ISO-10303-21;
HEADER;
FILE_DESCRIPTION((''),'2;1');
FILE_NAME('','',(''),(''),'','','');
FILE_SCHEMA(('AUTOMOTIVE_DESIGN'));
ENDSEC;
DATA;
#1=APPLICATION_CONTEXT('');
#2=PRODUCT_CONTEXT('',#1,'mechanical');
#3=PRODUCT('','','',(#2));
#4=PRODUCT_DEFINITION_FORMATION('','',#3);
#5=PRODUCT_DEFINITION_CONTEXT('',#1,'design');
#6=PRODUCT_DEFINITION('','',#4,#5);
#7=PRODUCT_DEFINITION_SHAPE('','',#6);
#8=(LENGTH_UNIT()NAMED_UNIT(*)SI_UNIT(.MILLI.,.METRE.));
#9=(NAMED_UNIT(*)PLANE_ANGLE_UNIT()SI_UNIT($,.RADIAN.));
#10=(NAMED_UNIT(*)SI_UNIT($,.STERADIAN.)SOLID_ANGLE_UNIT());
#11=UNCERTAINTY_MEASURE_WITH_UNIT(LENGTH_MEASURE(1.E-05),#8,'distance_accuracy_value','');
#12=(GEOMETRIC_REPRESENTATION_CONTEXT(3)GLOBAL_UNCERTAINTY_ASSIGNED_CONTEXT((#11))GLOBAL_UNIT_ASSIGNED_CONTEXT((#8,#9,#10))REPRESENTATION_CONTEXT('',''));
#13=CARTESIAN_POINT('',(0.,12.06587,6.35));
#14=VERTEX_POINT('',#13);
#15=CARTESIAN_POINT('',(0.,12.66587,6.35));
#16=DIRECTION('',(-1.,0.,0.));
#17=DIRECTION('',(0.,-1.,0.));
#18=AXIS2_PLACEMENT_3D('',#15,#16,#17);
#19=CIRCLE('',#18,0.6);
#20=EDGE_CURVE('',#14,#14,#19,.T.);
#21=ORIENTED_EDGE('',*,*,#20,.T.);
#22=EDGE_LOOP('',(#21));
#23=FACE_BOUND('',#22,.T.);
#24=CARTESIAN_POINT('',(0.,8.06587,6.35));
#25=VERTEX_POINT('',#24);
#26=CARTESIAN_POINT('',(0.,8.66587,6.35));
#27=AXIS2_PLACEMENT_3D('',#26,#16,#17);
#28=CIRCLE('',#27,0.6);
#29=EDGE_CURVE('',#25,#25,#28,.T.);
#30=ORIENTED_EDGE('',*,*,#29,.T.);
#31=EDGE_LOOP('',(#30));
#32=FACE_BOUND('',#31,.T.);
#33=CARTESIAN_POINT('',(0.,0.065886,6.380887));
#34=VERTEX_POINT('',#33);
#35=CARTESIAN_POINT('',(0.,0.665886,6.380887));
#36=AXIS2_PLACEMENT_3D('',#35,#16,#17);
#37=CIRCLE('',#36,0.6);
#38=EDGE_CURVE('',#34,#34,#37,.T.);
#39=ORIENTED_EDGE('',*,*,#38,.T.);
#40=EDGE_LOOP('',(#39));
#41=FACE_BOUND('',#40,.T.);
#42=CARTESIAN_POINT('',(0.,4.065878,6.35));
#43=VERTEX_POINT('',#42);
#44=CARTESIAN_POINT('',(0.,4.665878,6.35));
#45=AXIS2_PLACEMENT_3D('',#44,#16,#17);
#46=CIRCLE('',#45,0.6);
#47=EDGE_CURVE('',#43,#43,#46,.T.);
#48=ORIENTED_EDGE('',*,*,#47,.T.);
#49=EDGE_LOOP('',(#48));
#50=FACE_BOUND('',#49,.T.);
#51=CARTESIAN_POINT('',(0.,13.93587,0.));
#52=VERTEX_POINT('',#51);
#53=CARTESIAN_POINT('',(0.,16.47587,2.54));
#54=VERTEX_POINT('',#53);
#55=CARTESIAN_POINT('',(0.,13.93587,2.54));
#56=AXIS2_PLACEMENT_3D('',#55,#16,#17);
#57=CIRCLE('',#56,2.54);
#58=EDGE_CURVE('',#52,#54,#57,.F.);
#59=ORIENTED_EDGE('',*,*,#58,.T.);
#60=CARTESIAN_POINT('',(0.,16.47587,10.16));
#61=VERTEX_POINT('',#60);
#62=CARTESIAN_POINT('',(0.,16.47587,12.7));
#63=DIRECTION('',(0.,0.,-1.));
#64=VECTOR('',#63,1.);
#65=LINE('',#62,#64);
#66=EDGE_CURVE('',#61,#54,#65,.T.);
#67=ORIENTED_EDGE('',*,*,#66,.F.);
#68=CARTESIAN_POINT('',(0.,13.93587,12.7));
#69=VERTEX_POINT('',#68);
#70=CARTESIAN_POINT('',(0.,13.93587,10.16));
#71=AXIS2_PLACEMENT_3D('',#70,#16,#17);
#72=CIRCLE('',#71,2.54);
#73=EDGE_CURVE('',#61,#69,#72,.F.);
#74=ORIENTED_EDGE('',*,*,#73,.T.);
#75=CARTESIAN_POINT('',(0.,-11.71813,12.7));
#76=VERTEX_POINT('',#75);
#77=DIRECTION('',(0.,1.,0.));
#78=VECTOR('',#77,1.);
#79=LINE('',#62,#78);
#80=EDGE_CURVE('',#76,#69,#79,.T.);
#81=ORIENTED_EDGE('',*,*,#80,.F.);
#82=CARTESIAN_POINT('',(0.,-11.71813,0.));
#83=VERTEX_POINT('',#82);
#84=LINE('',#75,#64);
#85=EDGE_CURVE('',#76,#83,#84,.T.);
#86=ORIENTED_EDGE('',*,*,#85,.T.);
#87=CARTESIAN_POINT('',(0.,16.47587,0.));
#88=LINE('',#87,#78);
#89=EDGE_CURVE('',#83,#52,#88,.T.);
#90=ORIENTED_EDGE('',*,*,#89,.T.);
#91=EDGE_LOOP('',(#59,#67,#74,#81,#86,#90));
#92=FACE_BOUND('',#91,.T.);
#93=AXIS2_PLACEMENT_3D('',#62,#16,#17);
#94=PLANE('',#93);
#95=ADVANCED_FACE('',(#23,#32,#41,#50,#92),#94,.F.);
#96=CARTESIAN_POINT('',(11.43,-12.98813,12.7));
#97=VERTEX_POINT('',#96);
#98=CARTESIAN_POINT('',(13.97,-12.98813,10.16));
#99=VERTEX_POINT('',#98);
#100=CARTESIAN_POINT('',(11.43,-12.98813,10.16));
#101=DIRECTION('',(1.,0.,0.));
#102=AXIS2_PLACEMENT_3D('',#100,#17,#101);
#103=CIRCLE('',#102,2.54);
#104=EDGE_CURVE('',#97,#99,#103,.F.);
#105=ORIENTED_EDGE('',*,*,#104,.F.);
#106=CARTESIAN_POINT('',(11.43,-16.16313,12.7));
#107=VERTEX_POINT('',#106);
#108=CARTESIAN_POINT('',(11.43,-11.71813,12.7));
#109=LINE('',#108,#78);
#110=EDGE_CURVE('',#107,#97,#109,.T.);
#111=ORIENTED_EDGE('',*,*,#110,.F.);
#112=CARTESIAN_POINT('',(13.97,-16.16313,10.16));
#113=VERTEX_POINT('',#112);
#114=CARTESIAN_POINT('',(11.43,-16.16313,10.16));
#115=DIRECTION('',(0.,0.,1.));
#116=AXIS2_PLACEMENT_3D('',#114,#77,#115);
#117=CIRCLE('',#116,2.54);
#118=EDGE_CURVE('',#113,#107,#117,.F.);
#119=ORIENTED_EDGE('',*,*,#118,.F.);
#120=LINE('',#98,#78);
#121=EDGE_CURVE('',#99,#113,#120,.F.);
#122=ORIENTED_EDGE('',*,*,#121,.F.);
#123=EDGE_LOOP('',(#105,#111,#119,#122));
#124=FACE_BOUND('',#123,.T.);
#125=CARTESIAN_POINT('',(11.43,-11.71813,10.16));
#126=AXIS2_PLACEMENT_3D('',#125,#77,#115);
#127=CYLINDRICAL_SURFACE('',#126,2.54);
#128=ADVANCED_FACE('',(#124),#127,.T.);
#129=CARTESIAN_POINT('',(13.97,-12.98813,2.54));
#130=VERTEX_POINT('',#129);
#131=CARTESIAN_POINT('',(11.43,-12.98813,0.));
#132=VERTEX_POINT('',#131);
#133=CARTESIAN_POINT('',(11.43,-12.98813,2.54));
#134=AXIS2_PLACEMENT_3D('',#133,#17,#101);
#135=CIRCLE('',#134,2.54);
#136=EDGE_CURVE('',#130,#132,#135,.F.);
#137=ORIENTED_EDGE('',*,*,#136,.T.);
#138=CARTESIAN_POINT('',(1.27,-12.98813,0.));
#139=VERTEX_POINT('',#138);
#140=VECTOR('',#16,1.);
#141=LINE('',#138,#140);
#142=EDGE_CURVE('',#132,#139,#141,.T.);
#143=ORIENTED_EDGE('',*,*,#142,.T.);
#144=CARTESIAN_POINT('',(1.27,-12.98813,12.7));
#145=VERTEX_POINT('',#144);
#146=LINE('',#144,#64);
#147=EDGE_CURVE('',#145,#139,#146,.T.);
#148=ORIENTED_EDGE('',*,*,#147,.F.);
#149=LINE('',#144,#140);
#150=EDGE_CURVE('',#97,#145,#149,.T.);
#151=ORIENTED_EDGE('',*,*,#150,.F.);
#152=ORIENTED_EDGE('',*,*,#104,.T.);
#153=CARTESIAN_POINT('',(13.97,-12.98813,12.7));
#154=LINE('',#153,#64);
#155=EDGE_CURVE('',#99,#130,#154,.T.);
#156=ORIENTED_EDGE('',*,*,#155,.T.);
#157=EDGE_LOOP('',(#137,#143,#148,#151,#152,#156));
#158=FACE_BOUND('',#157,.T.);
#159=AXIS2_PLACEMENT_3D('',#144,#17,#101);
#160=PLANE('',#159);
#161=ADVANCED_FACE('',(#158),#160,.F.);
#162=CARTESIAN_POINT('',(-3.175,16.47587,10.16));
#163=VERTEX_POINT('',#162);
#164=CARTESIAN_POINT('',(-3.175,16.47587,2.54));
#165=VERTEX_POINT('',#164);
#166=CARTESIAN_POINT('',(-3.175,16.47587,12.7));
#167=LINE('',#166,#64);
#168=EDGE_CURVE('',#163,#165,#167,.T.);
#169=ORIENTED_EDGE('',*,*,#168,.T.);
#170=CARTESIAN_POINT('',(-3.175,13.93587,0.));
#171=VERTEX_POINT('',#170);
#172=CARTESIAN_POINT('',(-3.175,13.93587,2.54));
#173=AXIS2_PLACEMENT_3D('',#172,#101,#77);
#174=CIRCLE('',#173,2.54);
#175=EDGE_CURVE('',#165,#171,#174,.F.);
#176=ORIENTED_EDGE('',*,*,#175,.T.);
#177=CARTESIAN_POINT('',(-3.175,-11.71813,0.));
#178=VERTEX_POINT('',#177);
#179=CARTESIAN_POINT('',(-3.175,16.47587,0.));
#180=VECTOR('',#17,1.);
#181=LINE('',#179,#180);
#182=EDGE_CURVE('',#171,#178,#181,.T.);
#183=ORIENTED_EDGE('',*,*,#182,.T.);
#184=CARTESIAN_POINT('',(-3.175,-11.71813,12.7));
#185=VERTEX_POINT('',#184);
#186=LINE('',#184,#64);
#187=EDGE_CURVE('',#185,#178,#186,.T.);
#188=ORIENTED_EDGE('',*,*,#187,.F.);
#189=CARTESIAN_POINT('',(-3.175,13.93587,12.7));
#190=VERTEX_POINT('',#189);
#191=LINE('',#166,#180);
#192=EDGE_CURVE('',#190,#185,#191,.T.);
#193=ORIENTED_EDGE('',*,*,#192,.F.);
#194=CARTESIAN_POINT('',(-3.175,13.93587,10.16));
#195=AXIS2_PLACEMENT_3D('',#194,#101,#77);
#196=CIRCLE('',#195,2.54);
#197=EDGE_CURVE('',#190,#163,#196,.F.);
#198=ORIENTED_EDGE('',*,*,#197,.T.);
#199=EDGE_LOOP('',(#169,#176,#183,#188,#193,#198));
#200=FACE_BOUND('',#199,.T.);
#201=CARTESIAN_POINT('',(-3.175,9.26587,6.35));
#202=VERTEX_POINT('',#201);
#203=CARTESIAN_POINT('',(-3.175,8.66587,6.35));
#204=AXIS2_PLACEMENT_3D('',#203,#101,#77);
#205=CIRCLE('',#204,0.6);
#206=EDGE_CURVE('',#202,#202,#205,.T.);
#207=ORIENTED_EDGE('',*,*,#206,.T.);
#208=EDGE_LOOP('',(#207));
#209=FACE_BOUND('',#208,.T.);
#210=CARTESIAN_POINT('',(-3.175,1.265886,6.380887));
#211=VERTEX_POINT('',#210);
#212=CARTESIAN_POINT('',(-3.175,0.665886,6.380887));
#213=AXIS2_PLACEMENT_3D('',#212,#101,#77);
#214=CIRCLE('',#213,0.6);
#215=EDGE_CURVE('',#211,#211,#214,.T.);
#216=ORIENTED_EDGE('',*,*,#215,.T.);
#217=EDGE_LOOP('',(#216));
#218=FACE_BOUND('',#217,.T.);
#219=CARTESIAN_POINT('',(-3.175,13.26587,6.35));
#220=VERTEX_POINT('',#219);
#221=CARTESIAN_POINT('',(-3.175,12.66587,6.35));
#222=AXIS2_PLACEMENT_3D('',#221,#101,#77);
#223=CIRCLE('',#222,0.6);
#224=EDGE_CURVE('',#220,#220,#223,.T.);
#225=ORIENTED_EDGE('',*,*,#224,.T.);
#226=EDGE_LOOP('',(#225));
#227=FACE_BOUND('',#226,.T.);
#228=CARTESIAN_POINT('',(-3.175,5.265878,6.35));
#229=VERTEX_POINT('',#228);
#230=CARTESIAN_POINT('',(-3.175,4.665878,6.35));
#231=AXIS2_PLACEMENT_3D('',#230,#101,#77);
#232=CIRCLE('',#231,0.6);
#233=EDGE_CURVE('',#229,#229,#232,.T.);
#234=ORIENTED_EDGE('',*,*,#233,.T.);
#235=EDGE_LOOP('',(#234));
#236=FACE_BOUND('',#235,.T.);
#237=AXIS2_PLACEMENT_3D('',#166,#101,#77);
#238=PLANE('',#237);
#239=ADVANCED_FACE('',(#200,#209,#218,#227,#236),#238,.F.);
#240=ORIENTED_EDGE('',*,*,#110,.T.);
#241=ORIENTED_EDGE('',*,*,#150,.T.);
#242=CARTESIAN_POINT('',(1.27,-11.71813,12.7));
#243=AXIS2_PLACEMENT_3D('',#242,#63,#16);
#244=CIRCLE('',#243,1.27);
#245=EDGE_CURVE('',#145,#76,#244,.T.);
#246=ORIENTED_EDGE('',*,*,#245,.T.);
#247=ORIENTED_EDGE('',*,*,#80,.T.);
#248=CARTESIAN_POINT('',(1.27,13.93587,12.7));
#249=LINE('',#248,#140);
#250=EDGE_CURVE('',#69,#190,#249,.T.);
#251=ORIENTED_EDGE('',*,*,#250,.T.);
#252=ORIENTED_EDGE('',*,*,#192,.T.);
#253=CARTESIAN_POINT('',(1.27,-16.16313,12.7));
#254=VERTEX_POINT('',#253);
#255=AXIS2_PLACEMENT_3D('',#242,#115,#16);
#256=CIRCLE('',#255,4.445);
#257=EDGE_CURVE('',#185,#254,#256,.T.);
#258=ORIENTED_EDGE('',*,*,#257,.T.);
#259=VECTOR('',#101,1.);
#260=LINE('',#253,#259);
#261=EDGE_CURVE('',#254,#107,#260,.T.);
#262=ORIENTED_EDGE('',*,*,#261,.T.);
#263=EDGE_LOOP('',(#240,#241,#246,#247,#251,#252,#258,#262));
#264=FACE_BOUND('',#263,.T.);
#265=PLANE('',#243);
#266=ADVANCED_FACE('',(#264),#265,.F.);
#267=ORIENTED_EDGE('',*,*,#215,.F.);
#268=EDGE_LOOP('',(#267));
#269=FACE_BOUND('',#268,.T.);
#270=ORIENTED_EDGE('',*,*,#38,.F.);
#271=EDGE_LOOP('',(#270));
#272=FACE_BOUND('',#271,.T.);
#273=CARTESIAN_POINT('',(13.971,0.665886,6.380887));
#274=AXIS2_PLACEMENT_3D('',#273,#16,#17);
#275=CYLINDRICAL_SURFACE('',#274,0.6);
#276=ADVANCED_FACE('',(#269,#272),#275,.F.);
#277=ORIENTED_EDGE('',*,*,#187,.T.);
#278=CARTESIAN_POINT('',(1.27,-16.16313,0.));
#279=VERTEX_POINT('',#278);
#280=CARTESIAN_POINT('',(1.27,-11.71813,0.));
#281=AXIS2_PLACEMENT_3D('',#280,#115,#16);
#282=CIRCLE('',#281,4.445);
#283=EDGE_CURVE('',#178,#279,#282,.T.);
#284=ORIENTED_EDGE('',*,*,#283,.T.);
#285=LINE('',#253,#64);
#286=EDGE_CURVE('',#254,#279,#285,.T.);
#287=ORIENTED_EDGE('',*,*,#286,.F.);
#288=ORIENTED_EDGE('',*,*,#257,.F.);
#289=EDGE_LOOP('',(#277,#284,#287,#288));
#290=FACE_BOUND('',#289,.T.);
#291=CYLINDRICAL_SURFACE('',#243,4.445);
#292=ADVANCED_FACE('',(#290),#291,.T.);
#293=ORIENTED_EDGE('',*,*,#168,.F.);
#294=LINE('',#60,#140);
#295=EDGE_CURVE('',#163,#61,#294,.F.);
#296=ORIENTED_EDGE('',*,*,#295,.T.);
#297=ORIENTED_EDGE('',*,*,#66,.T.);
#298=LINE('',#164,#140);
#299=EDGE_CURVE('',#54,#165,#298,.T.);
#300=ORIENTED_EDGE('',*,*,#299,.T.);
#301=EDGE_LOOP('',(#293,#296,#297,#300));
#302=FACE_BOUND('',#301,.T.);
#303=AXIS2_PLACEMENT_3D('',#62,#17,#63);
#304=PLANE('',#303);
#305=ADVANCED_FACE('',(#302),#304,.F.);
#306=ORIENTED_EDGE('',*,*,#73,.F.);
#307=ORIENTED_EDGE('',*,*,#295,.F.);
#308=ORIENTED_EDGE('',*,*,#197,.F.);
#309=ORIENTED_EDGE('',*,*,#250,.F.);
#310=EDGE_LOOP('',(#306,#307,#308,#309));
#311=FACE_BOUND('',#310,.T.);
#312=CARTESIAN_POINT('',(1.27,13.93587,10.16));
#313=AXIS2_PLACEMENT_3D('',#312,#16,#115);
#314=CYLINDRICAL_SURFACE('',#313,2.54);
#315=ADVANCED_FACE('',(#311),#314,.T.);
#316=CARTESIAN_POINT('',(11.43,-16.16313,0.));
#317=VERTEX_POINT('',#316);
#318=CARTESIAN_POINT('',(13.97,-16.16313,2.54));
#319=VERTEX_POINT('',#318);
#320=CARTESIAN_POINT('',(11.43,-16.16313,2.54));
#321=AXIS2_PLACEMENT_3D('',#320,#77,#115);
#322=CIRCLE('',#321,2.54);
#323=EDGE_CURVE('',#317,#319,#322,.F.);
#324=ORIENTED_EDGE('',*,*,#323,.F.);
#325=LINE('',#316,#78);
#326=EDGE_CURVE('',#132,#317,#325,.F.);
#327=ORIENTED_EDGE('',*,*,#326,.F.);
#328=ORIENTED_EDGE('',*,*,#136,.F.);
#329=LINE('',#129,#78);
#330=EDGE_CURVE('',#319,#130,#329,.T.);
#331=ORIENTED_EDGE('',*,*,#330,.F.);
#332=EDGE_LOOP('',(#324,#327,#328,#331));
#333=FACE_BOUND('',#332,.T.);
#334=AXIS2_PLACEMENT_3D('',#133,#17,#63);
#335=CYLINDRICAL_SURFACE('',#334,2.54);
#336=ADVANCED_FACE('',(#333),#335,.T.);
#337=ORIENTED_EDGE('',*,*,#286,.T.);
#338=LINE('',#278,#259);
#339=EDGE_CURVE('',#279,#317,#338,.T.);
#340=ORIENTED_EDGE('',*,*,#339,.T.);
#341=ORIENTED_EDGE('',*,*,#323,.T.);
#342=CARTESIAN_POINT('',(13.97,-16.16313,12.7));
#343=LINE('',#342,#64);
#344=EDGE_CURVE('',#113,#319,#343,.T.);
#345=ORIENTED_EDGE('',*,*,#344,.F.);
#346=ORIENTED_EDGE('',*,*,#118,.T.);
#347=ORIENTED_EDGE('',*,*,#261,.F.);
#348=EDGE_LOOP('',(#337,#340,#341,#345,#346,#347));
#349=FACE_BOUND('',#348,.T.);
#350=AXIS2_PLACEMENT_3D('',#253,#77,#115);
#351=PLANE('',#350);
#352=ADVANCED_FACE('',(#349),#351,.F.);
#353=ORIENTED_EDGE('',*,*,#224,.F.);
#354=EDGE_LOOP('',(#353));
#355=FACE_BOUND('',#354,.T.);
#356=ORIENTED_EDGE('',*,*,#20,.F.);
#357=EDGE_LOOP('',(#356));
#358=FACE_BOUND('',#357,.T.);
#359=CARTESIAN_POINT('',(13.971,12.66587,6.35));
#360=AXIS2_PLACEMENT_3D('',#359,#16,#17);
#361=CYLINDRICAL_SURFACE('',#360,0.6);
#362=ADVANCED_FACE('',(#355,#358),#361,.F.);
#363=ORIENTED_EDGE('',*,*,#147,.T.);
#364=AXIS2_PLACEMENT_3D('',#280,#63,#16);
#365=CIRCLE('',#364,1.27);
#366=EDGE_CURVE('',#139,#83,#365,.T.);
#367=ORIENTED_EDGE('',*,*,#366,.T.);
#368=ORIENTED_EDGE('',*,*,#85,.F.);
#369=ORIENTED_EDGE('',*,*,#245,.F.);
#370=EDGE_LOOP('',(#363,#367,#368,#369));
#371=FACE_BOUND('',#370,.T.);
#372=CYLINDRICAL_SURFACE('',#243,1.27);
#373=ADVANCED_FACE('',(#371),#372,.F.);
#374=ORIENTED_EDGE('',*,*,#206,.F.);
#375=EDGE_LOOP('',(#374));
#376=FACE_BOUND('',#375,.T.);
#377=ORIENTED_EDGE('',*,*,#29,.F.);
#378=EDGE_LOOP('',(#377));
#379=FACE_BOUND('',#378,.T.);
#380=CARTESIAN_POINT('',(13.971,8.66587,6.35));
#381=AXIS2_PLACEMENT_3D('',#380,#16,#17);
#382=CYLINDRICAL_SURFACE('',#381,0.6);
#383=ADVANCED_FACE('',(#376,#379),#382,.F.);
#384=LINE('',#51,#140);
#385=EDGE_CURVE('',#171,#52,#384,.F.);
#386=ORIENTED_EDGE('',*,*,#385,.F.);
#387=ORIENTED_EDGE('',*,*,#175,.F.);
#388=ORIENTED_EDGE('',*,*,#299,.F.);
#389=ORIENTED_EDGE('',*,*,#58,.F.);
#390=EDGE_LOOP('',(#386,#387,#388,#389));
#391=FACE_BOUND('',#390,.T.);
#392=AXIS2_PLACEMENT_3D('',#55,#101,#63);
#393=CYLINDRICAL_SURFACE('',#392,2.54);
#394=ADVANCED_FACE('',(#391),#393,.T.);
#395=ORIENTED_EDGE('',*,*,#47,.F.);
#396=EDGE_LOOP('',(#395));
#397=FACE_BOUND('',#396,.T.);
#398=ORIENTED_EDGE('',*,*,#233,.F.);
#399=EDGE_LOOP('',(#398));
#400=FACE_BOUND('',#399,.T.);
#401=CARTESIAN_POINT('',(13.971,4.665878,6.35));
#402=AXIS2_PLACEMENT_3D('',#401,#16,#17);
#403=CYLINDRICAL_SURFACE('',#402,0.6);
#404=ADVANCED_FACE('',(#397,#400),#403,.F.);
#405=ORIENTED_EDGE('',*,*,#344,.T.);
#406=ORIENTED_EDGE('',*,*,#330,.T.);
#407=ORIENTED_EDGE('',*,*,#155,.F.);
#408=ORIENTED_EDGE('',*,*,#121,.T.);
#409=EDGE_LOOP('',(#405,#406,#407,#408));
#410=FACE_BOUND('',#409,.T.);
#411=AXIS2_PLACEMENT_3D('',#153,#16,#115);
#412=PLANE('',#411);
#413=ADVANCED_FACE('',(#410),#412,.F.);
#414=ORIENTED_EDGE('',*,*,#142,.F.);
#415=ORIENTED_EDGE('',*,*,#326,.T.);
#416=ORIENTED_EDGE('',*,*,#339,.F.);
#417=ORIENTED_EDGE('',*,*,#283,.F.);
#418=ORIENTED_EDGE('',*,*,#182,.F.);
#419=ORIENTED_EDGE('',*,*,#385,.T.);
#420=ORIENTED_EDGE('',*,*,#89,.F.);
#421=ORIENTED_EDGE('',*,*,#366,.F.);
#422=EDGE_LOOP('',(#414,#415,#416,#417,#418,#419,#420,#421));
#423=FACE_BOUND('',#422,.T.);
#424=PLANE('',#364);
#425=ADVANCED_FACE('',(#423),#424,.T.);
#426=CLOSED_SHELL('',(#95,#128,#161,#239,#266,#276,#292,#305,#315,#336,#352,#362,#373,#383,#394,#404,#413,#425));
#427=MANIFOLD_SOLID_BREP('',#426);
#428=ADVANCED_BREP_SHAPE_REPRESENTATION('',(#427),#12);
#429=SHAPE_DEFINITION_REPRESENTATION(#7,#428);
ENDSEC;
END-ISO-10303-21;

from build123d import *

# Parameters (mm, degrees)
BOSS_EXTRUDE1_DEPTH = 12.7
CUT_EXTRUDE1_REACH  = 28.957
SKETCH2_R           = 0.6
FILLET1_R           = 2.54


with BuildPart() as part:
    # Sketch1 → Boss-Extrude1 (new body)
    with BuildSketch(Plane.XY):
        with BuildLine():
            Line((0, 16.475869837), (0, -11.718130163))
            ThreePointArc((0, -11.718130163), (0.371974388, -12.616155775), (1.27, -12.988130163))
            Line((1.27, -12.988130163), (13.97, -12.988130163))
            Line((13.97, -12.988130163), (13.97, -16.163130163))
            Line((13.97, -16.163130163), (1.27, -16.163130163))
            ThreePointArc((1.27, -16.163130163), (-1.873089642, -14.861219805), (-3.175, -11.718130163))
            Line((-3.175, -11.718130163), (-3.175, 16.475869837))
            Line((-3.175, 16.475869837), (0, 16.475869837))
        make_face()
    extrude(amount=BOSS_EXTRUDE1_DEPTH)

    # Sketch2 → Cut-Extrude1 (cut, up to next)
    with BuildSketch(Plane.ZY.offset(3.175), mode=Mode.PRIVATE) as cut_extrude1_sk1:
        with Locations((6.35, 12.665869837)):
            Circle(SKETCH2_R)
    cut_extrude1_tool1 = extrude(cut_extrude1_sk1.sketch, amount=-CUT_EXTRUDE1_REACH, mode=Mode.PRIVATE) & part.part
    # Sketch2 → Cut-Extrude1 (cut, up to next)
    with BuildSketch(Plane.ZY.offset(3.175), mode=Mode.PRIVATE) as cut_extrude1_sk2:
        with Locations((6.35, 8.665869837)):
            Circle(SKETCH2_R)
    cut_extrude1_tool2 = extrude(cut_extrude1_sk2.sketch, amount=-CUT_EXTRUDE1_REACH, mode=Mode.PRIVATE) & part.part
    # Sketch2 → Cut-Extrude1 (cut, up to next)
    with BuildSketch(Plane.ZY.offset(3.175), mode=Mode.PRIVATE) as cut_extrude1_sk3:
        with Locations((6.35, 4.665877837)):
            Circle(SKETCH2_R)
    cut_extrude1_tool3 = extrude(cut_extrude1_sk3.sketch, amount=-CUT_EXTRUDE1_REACH, mode=Mode.PRIVATE) & part.part
    # Sketch2 → Cut-Extrude1 (cut, up to next)
    with BuildSketch(Plane.ZY.offset(3.175), mode=Mode.PRIVATE) as cut_extrude1_sk4:
        with Locations((6.380886644, 0.665885837)):
            Circle(SKETCH2_R)
    cut_extrude1_tool4 = extrude(cut_extrude1_sk4.sketch, amount=-CUT_EXTRUDE1_REACH, mode=Mode.PRIVATE) & part.part
    add(cut_extrude1_tool1.solids().sort_by_distance((-3.175, 12.66587, 6.35))[0], mode=Mode.SUBTRACT)
    add(cut_extrude1_tool2.solids().sort_by_distance((-3.175, 8.66587, 6.35))[0], mode=Mode.SUBTRACT)
    add(cut_extrude1_tool3.solids().sort_by_distance((-3.175, 4.665878, 6.35))[0], mode=Mode.SUBTRACT)
    add(cut_extrude1_tool4.solids().sort_by_distance((-3.175, 0.665886, 6.380887))[0], mode=Mode.SUBTRACT)

    # Fillet1
    fillet1_edges = [part.edges().sort_by_distance(p)[0] for p in [
        (13.97, -14.575630163, 0),
        (13.97, -14.575630163, 12.7),
        (-1.5875, 16.475869837, 0),
        (-1.5875, 16.475869837, 12.7),
    ]]
    fillet(fillet1_edges, radius=FILLET1_R)


solid = part.part
